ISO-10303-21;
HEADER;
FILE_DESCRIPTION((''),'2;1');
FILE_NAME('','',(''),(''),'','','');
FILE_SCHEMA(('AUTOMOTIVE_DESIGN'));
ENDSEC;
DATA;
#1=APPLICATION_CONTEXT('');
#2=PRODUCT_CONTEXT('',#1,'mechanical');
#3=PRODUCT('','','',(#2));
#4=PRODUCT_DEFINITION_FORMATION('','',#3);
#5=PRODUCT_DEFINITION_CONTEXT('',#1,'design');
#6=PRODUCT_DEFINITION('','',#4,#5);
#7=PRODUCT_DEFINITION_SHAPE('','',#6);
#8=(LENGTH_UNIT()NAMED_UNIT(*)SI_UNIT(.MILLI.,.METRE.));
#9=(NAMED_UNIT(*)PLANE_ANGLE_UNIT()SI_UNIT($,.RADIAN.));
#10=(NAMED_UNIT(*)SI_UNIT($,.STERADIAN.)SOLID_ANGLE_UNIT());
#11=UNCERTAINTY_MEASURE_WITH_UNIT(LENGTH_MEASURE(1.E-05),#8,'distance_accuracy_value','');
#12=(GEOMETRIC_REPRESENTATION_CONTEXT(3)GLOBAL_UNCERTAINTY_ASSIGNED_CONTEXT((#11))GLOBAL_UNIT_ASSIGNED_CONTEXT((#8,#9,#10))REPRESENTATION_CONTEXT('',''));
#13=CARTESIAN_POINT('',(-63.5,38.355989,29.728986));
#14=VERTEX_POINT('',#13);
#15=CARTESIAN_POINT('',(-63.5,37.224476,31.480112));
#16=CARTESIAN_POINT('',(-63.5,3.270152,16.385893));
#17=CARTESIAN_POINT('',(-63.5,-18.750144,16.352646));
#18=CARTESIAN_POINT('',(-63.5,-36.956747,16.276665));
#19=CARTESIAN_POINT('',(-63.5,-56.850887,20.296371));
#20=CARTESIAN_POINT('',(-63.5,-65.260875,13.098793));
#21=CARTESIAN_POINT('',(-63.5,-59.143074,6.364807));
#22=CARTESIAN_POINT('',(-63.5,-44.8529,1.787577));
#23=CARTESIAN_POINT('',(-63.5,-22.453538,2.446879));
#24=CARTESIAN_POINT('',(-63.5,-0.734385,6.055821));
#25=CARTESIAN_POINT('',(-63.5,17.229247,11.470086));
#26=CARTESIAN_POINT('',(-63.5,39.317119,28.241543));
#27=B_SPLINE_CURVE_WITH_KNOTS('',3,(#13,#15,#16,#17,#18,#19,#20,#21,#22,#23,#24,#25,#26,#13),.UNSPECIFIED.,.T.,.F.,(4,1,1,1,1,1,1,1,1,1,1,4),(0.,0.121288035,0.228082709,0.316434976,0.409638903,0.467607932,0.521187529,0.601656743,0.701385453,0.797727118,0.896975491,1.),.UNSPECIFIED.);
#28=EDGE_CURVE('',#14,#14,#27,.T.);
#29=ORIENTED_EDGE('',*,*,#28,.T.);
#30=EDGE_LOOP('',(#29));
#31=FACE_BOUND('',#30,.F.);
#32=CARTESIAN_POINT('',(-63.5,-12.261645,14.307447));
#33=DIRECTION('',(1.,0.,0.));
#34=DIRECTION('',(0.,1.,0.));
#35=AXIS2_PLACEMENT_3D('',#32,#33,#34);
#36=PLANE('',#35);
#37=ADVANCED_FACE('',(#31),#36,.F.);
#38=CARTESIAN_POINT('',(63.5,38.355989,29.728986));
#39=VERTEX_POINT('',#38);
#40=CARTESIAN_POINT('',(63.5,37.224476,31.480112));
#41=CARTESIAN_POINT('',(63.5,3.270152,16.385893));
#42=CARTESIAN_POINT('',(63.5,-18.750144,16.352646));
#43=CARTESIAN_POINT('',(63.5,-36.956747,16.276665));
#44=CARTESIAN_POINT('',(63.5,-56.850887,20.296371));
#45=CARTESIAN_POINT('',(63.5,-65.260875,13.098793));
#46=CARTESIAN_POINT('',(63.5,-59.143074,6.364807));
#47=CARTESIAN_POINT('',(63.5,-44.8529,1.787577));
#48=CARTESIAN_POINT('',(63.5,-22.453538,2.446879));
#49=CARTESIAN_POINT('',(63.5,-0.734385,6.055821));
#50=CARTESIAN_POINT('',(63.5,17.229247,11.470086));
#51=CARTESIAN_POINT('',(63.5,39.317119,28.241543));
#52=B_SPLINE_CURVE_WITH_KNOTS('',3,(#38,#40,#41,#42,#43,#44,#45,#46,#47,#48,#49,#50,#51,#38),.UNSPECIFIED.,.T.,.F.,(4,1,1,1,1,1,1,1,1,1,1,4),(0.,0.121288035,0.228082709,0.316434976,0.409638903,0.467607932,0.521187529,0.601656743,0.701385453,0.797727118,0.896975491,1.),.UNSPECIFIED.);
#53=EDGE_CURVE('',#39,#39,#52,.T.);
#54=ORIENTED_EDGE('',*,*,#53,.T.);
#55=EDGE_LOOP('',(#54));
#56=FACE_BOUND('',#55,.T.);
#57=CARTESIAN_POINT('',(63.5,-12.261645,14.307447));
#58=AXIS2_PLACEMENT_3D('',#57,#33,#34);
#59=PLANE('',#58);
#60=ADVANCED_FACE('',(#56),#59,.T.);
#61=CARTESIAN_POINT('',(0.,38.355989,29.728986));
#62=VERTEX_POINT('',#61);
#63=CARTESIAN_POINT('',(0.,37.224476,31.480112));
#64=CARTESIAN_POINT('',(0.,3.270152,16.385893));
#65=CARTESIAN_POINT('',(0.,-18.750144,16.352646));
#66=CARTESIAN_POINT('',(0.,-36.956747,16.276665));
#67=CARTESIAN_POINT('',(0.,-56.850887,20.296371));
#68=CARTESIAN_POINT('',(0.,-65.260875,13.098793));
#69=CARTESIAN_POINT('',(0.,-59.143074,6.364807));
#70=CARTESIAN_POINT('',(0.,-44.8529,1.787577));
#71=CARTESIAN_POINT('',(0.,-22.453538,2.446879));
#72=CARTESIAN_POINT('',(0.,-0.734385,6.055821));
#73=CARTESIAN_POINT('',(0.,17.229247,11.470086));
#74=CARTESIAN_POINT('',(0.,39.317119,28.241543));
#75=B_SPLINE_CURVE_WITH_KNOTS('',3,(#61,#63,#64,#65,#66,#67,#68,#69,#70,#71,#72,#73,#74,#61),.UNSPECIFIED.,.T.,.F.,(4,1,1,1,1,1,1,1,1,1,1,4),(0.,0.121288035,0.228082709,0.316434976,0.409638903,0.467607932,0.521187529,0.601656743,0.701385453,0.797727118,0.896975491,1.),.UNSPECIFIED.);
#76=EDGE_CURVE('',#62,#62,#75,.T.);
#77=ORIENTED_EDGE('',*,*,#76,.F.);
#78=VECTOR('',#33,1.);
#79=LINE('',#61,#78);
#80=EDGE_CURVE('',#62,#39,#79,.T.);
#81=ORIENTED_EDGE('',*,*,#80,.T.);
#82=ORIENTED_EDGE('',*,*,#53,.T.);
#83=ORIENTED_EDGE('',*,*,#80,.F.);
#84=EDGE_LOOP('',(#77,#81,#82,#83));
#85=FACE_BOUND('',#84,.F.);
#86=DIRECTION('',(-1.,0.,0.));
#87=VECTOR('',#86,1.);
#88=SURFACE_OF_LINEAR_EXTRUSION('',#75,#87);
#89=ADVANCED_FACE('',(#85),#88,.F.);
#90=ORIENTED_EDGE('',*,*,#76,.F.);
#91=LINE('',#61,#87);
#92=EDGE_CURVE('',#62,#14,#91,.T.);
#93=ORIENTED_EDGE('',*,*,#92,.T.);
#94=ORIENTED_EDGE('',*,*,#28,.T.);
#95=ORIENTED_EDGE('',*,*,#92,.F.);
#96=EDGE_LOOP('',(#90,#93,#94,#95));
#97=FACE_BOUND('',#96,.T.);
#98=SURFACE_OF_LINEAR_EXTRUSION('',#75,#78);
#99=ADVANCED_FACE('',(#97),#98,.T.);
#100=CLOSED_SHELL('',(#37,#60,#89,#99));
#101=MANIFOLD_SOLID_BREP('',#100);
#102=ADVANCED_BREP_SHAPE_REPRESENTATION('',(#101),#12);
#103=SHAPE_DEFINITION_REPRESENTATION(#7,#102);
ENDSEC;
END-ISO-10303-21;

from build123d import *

# Parameters (mm, degrees)
F1_DEPTH = 63.5


with BuildPart() as f1:
    # F0 (on Right) → F1 (new body, symmetric)
    with BuildSketch(Plane.YZ):
        with BuildLine():
            add(Edge.make_bspline(
                [(38.3559891808, 29.7289855858), (37.2244760187, 31.4801123312), (3.2701520581, 16.3858931685), (-18.7501435476, 16.3526461947), (-36.9567467779, 16.2766648832), (-56.8508865225, 20.296371385), (-65.2608754018, 13.0987930888), (-59.1430744386, 6.3648068736), (-44.8529004762, 1.7875768082), (-22.4535383382, 2.44687948), (-0.7343853345, 6.0558213722), (17.2292467009, 11.4700856482), (39.3171193453, 28.2415431123), (38.3559891808, 29.7289855858)],
                knots=[0, 0, 0, 0, 0.1212880345, 0.2280827085, 0.3164349764, 0.4096389028, 0.4676079322, 0.5211875288, 0.6016567435, 0.701385453, 0.7977271178, 0.8969754905, 1, 1, 1, 1], degree=3))
        make_face()
    extrude(amount=F1_DEPTH, both=True)


solid = f1.part
